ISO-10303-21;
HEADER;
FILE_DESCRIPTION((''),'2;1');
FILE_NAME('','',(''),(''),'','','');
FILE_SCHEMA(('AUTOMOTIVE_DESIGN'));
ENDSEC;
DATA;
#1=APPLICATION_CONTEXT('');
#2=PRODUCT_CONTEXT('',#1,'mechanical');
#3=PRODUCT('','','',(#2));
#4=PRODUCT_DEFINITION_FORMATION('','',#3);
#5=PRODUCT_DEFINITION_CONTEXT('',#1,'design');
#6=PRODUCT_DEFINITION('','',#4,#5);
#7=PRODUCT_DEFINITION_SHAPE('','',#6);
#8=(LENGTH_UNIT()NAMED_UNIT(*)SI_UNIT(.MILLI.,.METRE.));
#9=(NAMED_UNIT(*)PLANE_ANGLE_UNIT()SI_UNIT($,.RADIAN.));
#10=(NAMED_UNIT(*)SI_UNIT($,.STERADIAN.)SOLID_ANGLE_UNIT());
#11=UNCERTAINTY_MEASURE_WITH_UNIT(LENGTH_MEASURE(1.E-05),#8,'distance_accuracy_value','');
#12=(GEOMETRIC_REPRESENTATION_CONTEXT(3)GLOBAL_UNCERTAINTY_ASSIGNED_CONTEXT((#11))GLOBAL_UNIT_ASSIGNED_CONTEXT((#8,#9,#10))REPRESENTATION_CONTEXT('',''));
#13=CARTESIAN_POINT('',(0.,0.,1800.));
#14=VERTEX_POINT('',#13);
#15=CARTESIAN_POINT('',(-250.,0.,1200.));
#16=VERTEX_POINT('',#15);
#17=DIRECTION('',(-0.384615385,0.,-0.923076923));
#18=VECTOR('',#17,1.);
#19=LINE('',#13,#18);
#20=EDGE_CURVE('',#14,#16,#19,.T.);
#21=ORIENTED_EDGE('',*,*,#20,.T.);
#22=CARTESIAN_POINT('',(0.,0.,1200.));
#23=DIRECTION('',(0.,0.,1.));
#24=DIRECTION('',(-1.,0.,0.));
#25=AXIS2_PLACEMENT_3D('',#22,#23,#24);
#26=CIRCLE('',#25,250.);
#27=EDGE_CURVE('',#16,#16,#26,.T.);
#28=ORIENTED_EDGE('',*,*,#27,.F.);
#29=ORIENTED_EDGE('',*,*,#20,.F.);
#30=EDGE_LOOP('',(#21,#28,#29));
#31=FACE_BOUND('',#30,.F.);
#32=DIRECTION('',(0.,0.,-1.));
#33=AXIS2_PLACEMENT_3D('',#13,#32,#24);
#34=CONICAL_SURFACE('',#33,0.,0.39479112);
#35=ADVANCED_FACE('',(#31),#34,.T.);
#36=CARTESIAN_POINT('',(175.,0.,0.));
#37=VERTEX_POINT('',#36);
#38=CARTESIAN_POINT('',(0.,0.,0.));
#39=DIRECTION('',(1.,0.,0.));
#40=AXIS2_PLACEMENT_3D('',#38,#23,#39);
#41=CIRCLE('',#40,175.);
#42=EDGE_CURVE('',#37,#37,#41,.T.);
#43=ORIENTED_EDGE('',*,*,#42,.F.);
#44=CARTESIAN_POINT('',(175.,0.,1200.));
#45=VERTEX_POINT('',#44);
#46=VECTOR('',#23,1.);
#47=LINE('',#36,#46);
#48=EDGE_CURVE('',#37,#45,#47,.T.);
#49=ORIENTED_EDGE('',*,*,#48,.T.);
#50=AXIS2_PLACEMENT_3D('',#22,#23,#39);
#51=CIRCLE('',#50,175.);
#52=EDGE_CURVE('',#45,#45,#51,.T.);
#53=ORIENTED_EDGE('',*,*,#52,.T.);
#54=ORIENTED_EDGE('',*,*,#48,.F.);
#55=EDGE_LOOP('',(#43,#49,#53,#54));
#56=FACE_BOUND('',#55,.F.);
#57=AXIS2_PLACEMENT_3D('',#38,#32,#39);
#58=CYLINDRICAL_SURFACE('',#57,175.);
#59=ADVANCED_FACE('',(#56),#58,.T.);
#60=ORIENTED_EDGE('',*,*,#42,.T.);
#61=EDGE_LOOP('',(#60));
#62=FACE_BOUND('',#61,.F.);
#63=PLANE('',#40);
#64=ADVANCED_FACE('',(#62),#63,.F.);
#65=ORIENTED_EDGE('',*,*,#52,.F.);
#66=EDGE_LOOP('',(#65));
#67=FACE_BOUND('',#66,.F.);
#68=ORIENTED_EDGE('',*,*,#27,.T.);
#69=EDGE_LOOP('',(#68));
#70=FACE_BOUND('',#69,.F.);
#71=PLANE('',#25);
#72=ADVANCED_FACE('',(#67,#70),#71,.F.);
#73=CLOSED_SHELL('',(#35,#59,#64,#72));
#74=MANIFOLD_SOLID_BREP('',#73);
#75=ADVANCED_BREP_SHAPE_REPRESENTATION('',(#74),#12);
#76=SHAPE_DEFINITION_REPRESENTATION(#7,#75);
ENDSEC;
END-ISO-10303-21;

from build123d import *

# Parameters (mm, degrees)
F0_R     = 175
F1_DEPTH = 1200


with BuildPart() as f1:
    # F0 (on Top) → F1 (new body)
    with BuildSketch(Plane.XY):
        Circle(F0_R)
    extrude(amount=F1_DEPTH)

    # F2 (on Front) → F3 (revolve)
    with BuildSketch(Plane.XZ):
        Polygon((-250, 1200), (0, 1200), (0, 1800), align=None)
    revolve(axis=Axis((0, 0, 1500), (0, 0, 1)))


solid = f1.part
